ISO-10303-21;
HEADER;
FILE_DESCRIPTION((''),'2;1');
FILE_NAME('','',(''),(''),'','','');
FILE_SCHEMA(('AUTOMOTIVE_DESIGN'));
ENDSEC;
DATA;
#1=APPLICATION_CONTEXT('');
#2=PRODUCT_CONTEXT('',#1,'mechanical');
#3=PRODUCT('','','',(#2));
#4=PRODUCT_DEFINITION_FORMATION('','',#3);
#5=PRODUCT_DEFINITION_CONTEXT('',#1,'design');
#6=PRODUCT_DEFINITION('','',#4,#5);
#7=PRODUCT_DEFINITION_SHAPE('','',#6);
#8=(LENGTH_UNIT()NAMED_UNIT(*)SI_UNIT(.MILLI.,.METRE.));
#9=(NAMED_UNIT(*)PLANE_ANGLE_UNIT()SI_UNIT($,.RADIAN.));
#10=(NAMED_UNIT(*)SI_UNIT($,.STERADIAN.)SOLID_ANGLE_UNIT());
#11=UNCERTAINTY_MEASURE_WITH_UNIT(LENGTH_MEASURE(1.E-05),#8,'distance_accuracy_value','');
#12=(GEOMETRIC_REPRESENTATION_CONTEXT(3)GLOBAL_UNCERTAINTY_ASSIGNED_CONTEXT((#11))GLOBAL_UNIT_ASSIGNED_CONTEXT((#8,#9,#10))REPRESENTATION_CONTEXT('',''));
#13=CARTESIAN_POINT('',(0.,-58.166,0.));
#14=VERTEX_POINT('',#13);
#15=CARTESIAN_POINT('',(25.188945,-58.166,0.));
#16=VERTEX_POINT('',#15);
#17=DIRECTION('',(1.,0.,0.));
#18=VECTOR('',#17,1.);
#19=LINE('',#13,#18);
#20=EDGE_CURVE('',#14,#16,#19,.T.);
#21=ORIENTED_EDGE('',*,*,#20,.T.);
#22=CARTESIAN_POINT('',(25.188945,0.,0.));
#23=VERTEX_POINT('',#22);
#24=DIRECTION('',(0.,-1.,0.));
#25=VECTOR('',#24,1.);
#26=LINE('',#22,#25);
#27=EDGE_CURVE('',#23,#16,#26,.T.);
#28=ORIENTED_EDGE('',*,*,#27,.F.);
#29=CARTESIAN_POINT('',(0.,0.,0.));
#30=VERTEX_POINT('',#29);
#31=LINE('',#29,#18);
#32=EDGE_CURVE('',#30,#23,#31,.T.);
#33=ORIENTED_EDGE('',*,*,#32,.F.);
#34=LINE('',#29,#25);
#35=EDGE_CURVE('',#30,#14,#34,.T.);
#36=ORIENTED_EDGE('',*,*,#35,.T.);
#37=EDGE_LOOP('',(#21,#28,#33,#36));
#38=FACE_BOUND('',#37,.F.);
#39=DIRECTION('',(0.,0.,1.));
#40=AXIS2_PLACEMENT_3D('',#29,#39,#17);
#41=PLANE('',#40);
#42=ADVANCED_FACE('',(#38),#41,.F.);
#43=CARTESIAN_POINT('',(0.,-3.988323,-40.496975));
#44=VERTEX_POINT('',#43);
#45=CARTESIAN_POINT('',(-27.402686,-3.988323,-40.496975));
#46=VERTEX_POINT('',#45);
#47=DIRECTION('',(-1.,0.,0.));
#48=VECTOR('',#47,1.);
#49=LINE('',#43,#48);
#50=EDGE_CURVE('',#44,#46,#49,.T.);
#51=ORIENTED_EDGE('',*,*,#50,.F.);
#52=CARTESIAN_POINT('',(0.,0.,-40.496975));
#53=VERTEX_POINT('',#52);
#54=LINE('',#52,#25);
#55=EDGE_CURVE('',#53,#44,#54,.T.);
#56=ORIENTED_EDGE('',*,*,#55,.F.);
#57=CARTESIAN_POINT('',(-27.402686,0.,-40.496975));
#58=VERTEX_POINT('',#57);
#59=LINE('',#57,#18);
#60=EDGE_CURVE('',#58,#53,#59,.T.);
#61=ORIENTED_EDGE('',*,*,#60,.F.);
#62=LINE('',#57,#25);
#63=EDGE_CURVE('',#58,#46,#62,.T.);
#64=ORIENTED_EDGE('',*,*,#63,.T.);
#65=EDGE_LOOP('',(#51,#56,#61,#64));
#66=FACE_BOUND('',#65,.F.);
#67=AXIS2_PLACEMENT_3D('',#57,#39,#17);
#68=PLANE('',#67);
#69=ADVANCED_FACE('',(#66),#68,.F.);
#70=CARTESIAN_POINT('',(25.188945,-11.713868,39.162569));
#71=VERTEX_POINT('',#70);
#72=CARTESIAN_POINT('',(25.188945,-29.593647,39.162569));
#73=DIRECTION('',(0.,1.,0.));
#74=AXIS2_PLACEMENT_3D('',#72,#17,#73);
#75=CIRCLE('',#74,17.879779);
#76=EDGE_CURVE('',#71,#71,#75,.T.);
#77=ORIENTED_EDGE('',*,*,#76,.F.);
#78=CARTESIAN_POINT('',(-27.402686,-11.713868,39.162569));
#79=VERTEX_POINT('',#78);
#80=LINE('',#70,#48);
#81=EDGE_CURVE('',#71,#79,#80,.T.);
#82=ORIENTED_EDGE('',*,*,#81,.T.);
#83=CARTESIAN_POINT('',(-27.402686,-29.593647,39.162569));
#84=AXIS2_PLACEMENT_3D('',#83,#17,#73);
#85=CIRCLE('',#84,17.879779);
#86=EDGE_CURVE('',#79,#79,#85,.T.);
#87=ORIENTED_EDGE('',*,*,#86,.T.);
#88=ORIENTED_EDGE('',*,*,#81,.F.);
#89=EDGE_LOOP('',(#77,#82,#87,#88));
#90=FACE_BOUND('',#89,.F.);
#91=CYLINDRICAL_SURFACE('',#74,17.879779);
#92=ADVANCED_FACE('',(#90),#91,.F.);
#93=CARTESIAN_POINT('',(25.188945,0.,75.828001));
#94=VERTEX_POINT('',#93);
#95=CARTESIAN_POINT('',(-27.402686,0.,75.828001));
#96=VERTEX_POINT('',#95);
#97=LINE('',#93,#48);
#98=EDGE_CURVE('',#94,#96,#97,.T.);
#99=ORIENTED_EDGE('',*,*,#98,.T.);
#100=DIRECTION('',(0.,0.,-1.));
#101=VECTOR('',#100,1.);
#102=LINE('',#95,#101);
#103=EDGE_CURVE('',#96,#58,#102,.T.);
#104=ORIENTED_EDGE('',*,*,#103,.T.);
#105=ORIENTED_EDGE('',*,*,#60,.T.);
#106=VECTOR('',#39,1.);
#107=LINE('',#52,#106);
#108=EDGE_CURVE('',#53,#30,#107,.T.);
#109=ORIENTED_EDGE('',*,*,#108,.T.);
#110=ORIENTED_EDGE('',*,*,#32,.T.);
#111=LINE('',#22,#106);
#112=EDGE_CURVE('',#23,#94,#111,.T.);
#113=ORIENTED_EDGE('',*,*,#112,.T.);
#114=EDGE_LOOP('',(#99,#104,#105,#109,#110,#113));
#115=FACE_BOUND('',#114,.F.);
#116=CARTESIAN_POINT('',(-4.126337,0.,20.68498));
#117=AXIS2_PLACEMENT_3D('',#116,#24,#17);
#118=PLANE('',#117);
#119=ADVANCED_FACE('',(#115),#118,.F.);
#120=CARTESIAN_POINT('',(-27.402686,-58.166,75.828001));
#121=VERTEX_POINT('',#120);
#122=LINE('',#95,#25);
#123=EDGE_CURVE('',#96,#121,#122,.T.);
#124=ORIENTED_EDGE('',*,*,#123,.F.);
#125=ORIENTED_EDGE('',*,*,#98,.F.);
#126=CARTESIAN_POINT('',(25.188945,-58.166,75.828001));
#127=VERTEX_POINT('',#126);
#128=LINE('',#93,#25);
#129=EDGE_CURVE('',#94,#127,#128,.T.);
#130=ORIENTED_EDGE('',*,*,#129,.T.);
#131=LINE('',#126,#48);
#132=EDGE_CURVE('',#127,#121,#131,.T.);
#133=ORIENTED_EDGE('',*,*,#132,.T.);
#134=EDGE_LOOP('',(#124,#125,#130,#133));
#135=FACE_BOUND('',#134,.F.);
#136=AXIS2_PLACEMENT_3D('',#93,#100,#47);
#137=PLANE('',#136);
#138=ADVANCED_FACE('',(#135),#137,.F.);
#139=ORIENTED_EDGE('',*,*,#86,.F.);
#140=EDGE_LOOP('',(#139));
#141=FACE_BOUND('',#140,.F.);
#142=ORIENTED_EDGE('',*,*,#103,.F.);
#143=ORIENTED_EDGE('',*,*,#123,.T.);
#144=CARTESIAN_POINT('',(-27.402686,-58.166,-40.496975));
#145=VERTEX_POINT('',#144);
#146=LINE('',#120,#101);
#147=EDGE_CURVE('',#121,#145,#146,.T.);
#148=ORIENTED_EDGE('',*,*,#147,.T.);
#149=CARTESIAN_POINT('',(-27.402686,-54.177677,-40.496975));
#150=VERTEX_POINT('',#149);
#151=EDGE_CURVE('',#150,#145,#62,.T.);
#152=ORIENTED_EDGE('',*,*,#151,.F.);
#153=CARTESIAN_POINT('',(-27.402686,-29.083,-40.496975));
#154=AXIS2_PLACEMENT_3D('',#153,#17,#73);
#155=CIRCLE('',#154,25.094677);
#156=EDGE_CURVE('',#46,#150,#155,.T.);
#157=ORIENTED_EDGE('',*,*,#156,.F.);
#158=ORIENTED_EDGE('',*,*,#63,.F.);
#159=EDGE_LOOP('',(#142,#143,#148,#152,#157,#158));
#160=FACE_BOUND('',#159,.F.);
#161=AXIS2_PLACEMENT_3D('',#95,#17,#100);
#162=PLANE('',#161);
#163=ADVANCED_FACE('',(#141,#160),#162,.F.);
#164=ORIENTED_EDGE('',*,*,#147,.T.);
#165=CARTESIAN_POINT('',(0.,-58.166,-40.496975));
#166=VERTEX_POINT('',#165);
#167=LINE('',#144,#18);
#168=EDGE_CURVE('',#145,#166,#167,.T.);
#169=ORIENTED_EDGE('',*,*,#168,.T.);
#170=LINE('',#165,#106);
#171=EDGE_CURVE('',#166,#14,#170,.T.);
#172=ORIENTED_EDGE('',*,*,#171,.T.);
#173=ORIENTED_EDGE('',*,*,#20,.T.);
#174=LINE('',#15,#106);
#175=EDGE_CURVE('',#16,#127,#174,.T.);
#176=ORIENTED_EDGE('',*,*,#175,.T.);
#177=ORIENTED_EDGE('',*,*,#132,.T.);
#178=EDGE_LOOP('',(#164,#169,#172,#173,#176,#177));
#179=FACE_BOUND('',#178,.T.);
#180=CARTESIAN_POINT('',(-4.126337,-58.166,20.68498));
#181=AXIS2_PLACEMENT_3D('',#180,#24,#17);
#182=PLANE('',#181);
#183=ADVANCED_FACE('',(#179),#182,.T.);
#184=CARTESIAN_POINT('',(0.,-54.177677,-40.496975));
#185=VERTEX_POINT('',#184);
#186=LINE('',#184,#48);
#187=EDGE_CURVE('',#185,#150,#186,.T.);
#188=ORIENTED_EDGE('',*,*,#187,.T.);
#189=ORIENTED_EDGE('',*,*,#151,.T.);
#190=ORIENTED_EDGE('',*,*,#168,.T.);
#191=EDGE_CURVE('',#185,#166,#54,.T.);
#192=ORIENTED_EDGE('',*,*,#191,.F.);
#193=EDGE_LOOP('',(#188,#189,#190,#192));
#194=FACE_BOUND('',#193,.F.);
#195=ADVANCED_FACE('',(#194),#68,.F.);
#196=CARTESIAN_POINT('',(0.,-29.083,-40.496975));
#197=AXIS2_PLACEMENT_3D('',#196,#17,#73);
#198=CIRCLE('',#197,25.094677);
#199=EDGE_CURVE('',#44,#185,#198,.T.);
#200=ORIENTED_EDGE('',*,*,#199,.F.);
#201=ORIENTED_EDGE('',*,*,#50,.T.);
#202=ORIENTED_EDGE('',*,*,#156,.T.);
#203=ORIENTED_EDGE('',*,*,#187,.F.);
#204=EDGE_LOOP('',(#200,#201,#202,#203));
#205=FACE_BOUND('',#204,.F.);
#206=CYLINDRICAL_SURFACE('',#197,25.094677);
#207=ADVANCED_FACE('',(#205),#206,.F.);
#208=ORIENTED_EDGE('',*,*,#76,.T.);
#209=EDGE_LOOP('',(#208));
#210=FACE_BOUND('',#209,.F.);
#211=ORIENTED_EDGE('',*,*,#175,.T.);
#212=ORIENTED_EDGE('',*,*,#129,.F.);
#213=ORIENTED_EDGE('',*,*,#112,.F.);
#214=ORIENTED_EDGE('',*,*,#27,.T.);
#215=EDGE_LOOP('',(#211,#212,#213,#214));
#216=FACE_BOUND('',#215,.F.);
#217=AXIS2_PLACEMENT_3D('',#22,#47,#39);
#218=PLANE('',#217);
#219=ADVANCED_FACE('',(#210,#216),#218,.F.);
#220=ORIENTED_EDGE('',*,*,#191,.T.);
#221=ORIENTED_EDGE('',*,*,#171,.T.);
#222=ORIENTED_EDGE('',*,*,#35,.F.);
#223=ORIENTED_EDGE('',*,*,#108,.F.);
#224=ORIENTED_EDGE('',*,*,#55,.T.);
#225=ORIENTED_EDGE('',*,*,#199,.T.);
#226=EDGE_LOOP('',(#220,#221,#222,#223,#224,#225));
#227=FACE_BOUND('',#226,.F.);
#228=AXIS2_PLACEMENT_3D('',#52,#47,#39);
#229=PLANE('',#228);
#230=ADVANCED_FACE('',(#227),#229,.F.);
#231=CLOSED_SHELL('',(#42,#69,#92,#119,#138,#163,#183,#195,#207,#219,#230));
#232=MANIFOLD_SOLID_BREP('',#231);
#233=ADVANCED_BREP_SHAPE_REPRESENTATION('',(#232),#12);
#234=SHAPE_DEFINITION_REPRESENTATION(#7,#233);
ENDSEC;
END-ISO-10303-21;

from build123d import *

# Parameters (mm, degrees)
F1_DEPTH = 58.166
F2_R     = 17.879779
F3_DEPTH = 52.592631
F5_DEPTH = 27.403686


with BuildPart() as f1:
    # F0 (on Front) → F1 (new body)
    with BuildSketch(Plane.XZ):
        Polygon((0, -40.496975), (0, 0), (25.188945, 0), (25.188945, 75.828001), (-27.402686, 75.828001), (-27.402686, -40.496975), align=None)
    extrude(amount=F1_DEPTH)

    # F2 (on face) → F3 (cut, through all)
    with BuildSketch(Plane.YZ.offset(25.188945)):
        with Locations((-29.593647, 39.162569)):
            Circle(F2_R)
    extrude(amount=-F3_DEPTH, mode=Mode.SUBTRACT)

    # F4 (on face) → F5 (cut, through all)
    with BuildSketch(Plane.YZ):
        with BuildLine():
            Line((-54.177677, -40.496975), (-3.988323, -40.496975))
            ThreePointArc((-3.988323, -40.496975), (-29.083, -15.402298), (-54.177677, -40.496975))
        make_face()
    extrude(amount=-F5_DEPTH, mode=Mode.SUBTRACT)


solid = f1.part
